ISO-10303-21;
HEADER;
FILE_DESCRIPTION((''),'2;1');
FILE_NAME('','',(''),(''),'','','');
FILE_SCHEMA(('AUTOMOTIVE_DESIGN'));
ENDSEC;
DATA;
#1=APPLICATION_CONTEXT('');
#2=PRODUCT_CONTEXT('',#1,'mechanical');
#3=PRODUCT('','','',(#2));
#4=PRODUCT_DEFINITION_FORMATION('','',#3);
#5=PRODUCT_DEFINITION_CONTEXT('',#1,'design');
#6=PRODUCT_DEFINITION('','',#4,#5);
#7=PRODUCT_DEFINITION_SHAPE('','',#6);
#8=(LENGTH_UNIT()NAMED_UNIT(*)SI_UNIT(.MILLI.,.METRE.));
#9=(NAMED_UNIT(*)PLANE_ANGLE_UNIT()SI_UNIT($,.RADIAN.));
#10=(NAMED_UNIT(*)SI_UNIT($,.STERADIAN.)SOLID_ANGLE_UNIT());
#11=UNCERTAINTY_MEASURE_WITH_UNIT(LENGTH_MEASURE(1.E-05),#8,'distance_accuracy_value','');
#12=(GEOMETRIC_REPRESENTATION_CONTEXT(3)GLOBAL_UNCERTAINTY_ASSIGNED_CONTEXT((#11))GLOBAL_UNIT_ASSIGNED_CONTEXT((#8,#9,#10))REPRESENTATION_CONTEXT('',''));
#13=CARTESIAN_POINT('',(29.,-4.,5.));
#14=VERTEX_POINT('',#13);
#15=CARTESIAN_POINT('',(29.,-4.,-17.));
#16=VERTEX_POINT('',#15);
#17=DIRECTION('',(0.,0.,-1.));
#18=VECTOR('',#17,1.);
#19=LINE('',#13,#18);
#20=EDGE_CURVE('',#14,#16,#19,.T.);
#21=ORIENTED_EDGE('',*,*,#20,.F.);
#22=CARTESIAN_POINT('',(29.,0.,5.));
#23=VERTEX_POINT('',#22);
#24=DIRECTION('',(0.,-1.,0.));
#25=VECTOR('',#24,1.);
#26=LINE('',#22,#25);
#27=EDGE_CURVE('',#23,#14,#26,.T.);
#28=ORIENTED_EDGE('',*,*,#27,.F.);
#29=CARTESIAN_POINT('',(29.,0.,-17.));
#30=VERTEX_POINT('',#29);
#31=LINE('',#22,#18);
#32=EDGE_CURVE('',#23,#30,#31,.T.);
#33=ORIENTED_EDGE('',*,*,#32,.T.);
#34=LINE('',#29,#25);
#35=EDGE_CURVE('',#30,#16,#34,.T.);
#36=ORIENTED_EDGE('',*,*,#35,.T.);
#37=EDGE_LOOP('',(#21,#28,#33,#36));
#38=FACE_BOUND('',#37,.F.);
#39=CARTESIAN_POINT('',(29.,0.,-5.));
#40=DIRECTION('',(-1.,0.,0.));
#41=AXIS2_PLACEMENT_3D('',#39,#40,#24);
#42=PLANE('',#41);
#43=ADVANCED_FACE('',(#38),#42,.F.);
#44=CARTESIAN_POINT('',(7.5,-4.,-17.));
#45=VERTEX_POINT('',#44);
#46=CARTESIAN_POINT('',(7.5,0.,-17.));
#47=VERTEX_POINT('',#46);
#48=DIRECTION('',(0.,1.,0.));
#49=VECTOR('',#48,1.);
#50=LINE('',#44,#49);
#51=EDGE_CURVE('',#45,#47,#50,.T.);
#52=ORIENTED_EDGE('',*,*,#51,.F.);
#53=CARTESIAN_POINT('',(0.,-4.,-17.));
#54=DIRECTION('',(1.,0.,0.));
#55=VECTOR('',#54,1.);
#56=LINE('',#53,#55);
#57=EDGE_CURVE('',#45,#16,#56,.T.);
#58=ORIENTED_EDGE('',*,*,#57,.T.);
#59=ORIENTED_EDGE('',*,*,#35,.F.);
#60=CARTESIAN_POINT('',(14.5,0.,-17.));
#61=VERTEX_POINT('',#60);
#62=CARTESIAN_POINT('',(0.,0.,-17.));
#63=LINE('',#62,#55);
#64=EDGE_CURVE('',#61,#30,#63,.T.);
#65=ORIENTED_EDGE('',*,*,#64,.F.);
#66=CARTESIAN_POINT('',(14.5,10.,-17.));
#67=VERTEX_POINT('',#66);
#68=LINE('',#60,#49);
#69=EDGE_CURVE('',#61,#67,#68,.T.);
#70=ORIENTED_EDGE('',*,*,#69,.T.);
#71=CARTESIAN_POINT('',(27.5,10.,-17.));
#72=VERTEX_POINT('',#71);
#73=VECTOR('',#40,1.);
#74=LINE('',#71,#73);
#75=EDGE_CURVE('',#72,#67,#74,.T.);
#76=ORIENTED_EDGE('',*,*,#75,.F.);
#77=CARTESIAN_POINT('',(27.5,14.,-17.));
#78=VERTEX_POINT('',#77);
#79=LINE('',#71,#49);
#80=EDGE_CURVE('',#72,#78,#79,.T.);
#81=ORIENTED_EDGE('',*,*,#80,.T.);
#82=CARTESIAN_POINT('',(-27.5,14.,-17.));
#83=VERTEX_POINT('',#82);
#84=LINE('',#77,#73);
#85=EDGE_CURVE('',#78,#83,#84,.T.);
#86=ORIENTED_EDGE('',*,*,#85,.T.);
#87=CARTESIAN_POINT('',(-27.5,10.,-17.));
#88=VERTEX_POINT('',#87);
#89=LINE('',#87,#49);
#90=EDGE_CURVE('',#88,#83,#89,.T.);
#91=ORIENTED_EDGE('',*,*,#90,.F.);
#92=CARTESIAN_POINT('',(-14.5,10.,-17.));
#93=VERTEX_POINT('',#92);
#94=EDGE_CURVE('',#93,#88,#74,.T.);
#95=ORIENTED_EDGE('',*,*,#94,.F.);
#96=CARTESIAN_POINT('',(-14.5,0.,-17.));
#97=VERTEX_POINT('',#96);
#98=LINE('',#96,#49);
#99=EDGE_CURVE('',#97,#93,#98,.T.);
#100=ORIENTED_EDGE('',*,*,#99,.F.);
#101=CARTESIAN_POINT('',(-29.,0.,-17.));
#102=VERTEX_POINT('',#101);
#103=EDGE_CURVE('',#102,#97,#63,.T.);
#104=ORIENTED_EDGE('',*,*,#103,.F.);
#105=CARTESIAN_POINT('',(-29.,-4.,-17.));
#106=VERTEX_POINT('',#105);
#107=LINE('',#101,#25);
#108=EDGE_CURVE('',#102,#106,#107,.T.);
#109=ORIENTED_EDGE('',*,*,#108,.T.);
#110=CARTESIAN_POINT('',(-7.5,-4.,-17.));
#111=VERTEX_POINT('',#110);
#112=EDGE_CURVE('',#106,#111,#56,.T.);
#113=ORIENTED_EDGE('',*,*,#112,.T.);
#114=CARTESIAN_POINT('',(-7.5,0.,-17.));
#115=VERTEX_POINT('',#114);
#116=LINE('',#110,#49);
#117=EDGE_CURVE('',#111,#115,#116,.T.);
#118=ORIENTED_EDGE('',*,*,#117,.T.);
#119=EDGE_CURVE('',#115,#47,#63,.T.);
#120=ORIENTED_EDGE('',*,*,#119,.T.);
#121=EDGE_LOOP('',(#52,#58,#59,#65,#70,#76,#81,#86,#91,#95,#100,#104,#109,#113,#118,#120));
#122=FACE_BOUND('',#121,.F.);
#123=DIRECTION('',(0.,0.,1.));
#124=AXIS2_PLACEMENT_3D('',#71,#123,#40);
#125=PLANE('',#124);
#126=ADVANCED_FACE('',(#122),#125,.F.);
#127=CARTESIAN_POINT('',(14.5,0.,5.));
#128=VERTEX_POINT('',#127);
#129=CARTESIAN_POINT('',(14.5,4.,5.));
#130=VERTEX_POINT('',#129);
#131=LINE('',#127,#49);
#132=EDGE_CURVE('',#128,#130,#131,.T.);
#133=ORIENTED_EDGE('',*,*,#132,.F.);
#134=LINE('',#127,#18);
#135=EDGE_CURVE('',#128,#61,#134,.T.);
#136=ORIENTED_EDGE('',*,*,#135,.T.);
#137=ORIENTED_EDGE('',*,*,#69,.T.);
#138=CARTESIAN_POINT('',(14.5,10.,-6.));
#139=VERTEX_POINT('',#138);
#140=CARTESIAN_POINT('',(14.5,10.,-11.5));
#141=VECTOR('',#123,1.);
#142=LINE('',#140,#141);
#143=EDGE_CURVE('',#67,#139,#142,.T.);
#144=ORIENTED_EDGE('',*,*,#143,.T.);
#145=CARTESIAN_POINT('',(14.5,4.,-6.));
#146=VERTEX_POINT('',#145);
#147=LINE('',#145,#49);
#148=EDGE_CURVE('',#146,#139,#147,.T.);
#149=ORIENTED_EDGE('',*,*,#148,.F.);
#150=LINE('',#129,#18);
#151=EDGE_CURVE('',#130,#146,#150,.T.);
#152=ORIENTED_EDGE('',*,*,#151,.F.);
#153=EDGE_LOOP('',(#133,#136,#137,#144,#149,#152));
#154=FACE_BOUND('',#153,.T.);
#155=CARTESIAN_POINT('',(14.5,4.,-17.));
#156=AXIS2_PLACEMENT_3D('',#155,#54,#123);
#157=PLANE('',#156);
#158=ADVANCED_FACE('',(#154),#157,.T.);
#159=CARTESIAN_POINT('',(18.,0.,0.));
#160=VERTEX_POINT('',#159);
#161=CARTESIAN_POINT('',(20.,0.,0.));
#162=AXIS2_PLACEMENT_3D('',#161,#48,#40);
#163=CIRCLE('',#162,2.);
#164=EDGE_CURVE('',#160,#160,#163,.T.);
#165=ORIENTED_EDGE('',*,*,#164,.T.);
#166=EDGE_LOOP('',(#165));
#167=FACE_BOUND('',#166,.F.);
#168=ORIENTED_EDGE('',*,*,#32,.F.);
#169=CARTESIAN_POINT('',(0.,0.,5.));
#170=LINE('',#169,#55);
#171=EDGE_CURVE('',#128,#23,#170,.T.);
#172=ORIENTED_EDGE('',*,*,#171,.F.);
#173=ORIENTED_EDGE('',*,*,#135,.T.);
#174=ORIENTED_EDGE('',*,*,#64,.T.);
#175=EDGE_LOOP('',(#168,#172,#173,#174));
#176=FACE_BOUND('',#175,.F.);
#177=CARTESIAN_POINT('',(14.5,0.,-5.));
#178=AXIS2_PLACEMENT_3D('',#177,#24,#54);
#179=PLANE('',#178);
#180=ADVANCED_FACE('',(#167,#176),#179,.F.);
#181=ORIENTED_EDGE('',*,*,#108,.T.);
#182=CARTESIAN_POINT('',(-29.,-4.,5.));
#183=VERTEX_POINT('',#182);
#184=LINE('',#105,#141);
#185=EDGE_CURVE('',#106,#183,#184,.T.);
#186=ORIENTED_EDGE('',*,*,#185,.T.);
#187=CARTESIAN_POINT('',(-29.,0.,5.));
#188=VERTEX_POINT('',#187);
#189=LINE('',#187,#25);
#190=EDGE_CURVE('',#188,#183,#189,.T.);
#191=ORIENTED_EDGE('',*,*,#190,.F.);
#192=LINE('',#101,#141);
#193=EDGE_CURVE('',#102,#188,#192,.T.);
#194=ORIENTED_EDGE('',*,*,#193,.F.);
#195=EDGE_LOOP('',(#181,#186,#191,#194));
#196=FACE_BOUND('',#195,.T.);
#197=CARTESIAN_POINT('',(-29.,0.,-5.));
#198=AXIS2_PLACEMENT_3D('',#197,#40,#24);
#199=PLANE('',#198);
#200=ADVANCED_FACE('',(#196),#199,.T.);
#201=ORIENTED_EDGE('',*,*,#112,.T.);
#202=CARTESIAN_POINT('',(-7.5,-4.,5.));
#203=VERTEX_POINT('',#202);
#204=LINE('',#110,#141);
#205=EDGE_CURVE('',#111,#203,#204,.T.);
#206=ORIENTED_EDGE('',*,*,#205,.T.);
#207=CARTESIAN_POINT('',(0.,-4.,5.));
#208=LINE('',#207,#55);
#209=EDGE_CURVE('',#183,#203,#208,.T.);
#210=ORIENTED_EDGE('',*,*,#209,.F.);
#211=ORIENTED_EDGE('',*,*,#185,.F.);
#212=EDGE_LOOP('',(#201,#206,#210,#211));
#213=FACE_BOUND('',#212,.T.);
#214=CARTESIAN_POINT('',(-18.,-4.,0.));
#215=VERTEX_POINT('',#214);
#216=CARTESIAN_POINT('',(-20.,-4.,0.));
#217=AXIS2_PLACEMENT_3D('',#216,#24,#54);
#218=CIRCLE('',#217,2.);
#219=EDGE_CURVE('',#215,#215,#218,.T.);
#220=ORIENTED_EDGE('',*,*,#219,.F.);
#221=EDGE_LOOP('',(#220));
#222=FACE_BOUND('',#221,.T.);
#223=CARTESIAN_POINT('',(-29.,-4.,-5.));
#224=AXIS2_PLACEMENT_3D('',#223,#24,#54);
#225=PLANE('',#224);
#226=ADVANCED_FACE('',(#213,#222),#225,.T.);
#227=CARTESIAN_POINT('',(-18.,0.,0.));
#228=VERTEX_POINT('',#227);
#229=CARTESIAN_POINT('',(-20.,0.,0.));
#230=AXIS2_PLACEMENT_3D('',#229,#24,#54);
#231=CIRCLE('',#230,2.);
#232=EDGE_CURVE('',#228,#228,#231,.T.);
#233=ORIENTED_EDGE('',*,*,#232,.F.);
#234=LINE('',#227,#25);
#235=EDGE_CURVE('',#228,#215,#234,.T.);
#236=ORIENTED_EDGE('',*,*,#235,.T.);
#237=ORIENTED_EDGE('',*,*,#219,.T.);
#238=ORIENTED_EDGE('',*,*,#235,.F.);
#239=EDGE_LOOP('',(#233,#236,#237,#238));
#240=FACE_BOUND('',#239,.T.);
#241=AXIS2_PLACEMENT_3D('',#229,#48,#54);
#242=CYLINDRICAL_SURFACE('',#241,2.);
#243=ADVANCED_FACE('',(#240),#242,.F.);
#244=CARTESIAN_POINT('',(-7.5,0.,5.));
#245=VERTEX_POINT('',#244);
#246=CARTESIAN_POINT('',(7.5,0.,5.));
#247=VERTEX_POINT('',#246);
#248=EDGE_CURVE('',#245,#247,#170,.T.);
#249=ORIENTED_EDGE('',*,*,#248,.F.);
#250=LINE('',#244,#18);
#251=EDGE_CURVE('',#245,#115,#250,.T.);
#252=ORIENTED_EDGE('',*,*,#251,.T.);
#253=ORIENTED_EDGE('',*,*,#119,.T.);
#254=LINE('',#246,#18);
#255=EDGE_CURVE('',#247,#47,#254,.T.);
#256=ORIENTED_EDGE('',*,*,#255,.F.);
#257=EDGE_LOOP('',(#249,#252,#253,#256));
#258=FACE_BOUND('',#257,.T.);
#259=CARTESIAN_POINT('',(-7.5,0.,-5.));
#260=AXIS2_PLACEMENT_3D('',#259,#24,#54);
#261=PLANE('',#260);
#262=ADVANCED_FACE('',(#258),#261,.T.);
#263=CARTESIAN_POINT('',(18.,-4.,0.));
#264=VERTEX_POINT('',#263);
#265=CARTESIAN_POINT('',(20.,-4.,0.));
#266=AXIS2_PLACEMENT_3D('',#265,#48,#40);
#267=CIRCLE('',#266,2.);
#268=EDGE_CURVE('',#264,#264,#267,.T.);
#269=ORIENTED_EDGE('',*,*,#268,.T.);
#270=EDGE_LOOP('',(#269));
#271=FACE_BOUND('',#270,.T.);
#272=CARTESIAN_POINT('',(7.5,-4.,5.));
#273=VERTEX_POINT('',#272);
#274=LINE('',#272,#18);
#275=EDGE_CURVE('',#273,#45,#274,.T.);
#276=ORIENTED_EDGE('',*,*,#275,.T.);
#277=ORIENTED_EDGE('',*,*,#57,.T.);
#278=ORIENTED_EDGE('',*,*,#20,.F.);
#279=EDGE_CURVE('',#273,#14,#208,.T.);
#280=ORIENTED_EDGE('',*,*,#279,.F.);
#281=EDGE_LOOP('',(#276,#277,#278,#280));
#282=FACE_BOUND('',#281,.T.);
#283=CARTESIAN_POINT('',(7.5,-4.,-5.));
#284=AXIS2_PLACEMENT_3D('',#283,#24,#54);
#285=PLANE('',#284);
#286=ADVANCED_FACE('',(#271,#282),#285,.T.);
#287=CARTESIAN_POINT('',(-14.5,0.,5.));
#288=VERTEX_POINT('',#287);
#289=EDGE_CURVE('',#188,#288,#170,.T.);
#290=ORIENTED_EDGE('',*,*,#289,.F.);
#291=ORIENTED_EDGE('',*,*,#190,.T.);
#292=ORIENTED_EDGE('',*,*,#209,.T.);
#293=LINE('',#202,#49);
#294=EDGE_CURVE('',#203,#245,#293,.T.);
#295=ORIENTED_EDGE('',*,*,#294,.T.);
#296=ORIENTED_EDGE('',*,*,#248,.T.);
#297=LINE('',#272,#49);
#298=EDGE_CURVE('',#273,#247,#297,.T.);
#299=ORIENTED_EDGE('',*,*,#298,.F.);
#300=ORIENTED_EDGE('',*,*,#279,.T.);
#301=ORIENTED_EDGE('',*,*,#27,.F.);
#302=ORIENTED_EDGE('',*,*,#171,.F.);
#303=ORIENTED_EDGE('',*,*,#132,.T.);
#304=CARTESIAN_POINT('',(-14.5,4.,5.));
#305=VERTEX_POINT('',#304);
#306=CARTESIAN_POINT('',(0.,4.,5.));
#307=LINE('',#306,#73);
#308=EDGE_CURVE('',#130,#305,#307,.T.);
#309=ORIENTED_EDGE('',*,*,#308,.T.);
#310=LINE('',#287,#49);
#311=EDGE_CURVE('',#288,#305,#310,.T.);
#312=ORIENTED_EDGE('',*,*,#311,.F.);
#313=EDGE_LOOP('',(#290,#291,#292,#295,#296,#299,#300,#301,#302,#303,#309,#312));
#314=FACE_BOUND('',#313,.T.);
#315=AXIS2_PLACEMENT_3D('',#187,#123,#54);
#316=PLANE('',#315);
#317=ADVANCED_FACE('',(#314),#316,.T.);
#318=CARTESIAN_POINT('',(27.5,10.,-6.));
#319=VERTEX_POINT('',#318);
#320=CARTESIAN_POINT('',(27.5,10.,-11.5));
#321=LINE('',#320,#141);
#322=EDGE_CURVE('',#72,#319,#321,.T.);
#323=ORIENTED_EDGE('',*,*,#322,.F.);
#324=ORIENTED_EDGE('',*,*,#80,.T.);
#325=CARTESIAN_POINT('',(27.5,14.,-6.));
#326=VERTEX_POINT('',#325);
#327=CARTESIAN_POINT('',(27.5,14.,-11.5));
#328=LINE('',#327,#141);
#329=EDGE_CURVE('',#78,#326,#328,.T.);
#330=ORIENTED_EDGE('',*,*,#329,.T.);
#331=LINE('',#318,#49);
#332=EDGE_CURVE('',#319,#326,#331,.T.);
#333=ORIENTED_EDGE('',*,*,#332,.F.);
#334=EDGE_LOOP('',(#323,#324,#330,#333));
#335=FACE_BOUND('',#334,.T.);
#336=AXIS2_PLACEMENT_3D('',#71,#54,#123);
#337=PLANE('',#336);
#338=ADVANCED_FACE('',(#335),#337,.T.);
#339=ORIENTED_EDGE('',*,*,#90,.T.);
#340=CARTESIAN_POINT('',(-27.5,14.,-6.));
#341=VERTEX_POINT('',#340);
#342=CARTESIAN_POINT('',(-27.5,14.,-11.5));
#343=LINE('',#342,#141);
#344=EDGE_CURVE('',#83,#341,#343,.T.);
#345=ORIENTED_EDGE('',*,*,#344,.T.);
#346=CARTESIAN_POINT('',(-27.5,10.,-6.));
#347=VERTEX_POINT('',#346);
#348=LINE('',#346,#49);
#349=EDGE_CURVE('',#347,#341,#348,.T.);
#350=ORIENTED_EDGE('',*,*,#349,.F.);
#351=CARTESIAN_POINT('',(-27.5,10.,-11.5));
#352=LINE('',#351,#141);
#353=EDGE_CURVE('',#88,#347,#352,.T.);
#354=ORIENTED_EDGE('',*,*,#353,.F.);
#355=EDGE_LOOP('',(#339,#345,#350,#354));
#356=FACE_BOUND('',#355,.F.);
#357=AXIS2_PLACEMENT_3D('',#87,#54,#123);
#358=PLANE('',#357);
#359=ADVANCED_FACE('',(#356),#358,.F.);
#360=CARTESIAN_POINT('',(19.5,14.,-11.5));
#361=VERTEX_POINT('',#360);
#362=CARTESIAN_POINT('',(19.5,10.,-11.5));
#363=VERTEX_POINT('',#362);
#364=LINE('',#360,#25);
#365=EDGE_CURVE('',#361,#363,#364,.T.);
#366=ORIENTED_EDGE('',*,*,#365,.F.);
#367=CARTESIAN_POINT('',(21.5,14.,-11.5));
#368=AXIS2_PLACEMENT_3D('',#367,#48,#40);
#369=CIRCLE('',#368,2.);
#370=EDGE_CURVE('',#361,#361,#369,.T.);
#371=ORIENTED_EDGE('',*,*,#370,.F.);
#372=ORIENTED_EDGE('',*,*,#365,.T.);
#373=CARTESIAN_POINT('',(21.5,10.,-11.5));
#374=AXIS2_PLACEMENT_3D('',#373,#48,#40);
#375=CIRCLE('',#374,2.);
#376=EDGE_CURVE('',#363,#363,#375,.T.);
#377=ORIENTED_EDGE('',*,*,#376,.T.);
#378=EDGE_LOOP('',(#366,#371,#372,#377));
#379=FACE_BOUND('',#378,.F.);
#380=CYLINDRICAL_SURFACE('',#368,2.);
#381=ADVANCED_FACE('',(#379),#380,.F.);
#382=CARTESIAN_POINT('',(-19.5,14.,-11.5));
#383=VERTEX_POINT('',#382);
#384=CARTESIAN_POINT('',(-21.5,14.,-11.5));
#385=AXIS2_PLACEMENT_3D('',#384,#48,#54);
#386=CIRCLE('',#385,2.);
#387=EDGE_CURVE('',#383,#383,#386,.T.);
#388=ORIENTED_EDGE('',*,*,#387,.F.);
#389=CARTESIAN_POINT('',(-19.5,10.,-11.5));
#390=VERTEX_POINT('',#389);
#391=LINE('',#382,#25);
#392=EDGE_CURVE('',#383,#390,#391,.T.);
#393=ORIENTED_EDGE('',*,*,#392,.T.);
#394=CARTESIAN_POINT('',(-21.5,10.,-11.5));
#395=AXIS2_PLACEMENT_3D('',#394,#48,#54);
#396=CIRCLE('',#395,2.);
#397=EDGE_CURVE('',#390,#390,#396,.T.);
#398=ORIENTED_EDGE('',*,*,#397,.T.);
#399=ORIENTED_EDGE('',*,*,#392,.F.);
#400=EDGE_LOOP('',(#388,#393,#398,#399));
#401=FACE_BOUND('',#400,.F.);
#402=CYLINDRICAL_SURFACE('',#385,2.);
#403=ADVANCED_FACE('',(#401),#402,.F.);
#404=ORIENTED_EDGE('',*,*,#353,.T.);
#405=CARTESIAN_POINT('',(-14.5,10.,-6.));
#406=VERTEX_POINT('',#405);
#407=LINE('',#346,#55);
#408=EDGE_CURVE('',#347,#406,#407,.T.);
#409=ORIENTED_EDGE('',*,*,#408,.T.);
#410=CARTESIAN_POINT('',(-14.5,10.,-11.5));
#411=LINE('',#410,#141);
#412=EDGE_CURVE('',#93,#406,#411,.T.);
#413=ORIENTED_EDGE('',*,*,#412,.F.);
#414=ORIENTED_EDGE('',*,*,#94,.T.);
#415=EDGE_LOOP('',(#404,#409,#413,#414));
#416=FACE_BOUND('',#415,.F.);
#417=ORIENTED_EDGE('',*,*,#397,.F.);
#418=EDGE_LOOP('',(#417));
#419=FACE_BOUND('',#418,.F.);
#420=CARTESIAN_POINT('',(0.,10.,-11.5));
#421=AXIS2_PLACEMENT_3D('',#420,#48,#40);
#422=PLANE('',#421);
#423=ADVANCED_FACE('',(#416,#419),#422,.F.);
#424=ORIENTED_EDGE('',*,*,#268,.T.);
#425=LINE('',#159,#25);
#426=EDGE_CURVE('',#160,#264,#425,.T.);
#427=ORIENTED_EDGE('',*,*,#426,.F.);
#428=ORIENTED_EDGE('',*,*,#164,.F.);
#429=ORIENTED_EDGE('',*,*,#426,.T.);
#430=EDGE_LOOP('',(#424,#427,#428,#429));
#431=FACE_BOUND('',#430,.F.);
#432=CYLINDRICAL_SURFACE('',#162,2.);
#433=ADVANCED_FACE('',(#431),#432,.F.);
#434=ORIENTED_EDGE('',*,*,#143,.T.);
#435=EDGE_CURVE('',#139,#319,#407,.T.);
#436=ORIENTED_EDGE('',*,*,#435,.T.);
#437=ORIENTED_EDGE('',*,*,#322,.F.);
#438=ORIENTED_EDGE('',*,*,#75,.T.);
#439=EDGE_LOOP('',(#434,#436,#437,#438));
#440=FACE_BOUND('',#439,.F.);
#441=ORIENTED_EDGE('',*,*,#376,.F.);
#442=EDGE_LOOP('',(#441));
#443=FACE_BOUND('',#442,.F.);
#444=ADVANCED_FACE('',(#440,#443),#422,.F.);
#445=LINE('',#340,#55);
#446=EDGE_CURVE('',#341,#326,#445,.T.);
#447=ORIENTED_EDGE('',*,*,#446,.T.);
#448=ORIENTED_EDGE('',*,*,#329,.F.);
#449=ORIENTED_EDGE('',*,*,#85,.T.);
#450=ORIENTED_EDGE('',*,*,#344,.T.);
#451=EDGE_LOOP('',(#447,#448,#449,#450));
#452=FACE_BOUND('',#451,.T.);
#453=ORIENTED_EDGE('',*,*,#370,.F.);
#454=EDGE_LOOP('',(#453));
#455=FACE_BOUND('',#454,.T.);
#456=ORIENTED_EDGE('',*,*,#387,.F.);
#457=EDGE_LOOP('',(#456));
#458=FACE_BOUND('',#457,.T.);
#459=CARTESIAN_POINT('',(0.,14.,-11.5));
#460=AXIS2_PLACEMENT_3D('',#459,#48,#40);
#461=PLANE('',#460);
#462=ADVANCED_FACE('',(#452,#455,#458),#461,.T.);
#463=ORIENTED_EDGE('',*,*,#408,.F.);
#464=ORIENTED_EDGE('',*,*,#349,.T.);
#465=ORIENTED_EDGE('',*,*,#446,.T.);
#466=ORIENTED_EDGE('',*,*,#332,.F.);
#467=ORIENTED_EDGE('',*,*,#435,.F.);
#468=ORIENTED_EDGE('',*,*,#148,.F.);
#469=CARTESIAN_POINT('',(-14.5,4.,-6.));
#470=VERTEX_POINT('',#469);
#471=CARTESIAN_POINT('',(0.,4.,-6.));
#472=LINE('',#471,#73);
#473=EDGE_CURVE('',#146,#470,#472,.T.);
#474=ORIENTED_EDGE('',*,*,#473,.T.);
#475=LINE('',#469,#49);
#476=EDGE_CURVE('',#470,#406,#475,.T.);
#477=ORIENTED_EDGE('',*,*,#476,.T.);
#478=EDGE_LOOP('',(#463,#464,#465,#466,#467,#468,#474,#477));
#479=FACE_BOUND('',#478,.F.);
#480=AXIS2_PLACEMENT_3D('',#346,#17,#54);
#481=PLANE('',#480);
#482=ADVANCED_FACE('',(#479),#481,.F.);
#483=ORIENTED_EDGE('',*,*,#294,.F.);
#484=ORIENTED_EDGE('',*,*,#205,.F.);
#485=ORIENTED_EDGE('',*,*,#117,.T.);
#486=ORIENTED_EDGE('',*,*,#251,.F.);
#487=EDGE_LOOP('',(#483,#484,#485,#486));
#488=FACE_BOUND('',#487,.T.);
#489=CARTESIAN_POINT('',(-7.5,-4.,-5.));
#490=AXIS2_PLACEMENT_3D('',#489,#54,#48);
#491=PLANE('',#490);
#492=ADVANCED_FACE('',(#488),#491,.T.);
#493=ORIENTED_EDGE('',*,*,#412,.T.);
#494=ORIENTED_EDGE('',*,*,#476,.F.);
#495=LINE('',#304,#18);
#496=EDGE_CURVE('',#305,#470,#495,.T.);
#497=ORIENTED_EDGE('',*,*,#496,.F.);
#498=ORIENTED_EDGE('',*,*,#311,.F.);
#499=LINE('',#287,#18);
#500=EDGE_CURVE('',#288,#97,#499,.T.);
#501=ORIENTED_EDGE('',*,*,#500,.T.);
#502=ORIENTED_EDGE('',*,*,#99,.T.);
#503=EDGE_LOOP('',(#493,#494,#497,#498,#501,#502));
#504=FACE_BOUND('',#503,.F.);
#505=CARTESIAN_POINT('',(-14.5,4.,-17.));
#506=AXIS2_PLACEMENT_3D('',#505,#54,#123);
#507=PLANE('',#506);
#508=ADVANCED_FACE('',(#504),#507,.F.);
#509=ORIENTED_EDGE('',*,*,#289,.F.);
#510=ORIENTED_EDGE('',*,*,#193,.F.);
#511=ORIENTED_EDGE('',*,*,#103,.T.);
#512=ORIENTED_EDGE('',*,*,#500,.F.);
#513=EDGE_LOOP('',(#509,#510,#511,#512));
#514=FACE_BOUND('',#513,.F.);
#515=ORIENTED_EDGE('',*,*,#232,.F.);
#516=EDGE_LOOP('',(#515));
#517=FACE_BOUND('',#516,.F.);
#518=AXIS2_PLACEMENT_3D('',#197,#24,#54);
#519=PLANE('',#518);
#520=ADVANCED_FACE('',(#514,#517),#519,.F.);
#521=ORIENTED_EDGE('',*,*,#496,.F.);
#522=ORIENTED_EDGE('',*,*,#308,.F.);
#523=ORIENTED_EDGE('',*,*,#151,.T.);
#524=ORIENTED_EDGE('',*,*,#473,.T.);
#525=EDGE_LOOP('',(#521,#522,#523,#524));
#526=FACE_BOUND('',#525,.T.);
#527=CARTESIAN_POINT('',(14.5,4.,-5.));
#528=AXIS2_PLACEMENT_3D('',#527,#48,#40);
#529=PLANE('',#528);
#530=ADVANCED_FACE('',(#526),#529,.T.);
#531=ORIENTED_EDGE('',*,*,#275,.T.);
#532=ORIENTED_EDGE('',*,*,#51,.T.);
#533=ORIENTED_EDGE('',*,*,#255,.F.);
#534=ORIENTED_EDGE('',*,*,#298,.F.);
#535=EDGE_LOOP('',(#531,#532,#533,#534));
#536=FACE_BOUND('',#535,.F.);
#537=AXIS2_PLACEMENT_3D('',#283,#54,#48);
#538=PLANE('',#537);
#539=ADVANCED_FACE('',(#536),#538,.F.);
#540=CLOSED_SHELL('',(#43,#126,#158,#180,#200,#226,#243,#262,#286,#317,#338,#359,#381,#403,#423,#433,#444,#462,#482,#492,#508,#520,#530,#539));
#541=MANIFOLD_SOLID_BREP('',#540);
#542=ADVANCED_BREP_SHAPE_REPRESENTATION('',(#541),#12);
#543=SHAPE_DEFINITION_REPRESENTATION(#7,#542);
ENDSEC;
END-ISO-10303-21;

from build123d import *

# Parameters (mm, degrees)
F0_W      = 58
F0_H      = 10
F0_R      = 2
F1_DEPTH  = 4
F2_W      = 29
F2_H      = 10
F3_DEPTH  = 4
F4_W      = 15
F4_H      = 10
F5_DEPTH  = 4
F6_DEPTH  = 12
F7_W      = 29
F7_H      = 11
F8_DEPTH  = 6
F9_W      = 29
F9_H      = 11
F9_W_2    = 13
F10_DEPTH = 4
F11_R     = 2
F12_DEPTH = 4


with BuildPart() as f1:
    # F0 (on Front) → F1 (new body)
    with BuildSketch(Plane.XZ):
        Rectangle(F0_W, F0_H)
        with Locations((-20, 0)):
            Circle(F0_R, mode=Mode.SUBTRACT)
        with BuildLine():
            ThreePointArc((22, 0), (20, -2), (18, 0))
            ThreePointArc((18, 0), (20, 2), (22, 0))
        make_face(mode=Mode.SUBTRACT)
    extrude(amount=F1_DEPTH)

    # F2 (on face) → F3 (join)
    with BuildSketch(Plane(origin=(0, 0, 0), x_dir=(-1, 0, 0), z_dir=(0, 1, 0))):
        Rectangle(F2_W, F2_H)
    extrude(amount=F3_DEPTH)

    # F4 (on face) → F5 (cut)
    with BuildSketch(Plane.XZ.offset(4)):
        Rectangle(F4_W, F4_H)
    extrude(amount=-F5_DEPTH, mode=Mode.SUBTRACT)

    # F6 (add): a face of the model
    f6_faces = [f1.faces().sort_by_distance(p)[0] for p in [
        (-21.75, -0.5854912467, -5),
    ]]
    extrude(f6_faces, amount=F6_DEPTH)

    # F7 (on face) → F8 (join)
    with BuildSketch(Plane(origin=(0, 4, 0), x_dir=(-1, 0, 0), z_dir=(0, 1, 0))):
        with Locations((0, -11.5)):
            Rectangle(F7_W, F7_H)
    extrude(amount=F8_DEPTH)

    # F9 (on face) → F10 (join)
    with BuildSketch(Plane(origin=(0, 10, 0), x_dir=(-1, 0, 0), z_dir=(0, 1, 0))):
        with Locations((0, -11.5)):
            Rectangle(F9_W, F9_H)
        with Locations((-21, -11.5)):
            Rectangle(F9_W_2, F9_H)
        with Locations((21, -11.5)):
            Rectangle(F9_W_2, F9_H)
    extrude(amount=F10_DEPTH)

    # F11 (on face) → F12 (cut)
    with BuildSketch(Plane(origin=(0, 14, 0), x_dir=(-1, 0, 0), z_dir=(0, 1, 0))):
        with Locations((-21.5, -11.5)):
            Circle(F11_R)
        with BuildLine():
            ThreePointArc((23.5, -11.5), (21.5, -9.5), (19.5, -11.5))
            ThreePointArc((19.5, -11.5), (21.5, -13.5), (23.5, -11.5))
        make_face()
    extrude(amount=-F12_DEPTH, mode=Mode.SUBTRACT)


solid = f1.part
